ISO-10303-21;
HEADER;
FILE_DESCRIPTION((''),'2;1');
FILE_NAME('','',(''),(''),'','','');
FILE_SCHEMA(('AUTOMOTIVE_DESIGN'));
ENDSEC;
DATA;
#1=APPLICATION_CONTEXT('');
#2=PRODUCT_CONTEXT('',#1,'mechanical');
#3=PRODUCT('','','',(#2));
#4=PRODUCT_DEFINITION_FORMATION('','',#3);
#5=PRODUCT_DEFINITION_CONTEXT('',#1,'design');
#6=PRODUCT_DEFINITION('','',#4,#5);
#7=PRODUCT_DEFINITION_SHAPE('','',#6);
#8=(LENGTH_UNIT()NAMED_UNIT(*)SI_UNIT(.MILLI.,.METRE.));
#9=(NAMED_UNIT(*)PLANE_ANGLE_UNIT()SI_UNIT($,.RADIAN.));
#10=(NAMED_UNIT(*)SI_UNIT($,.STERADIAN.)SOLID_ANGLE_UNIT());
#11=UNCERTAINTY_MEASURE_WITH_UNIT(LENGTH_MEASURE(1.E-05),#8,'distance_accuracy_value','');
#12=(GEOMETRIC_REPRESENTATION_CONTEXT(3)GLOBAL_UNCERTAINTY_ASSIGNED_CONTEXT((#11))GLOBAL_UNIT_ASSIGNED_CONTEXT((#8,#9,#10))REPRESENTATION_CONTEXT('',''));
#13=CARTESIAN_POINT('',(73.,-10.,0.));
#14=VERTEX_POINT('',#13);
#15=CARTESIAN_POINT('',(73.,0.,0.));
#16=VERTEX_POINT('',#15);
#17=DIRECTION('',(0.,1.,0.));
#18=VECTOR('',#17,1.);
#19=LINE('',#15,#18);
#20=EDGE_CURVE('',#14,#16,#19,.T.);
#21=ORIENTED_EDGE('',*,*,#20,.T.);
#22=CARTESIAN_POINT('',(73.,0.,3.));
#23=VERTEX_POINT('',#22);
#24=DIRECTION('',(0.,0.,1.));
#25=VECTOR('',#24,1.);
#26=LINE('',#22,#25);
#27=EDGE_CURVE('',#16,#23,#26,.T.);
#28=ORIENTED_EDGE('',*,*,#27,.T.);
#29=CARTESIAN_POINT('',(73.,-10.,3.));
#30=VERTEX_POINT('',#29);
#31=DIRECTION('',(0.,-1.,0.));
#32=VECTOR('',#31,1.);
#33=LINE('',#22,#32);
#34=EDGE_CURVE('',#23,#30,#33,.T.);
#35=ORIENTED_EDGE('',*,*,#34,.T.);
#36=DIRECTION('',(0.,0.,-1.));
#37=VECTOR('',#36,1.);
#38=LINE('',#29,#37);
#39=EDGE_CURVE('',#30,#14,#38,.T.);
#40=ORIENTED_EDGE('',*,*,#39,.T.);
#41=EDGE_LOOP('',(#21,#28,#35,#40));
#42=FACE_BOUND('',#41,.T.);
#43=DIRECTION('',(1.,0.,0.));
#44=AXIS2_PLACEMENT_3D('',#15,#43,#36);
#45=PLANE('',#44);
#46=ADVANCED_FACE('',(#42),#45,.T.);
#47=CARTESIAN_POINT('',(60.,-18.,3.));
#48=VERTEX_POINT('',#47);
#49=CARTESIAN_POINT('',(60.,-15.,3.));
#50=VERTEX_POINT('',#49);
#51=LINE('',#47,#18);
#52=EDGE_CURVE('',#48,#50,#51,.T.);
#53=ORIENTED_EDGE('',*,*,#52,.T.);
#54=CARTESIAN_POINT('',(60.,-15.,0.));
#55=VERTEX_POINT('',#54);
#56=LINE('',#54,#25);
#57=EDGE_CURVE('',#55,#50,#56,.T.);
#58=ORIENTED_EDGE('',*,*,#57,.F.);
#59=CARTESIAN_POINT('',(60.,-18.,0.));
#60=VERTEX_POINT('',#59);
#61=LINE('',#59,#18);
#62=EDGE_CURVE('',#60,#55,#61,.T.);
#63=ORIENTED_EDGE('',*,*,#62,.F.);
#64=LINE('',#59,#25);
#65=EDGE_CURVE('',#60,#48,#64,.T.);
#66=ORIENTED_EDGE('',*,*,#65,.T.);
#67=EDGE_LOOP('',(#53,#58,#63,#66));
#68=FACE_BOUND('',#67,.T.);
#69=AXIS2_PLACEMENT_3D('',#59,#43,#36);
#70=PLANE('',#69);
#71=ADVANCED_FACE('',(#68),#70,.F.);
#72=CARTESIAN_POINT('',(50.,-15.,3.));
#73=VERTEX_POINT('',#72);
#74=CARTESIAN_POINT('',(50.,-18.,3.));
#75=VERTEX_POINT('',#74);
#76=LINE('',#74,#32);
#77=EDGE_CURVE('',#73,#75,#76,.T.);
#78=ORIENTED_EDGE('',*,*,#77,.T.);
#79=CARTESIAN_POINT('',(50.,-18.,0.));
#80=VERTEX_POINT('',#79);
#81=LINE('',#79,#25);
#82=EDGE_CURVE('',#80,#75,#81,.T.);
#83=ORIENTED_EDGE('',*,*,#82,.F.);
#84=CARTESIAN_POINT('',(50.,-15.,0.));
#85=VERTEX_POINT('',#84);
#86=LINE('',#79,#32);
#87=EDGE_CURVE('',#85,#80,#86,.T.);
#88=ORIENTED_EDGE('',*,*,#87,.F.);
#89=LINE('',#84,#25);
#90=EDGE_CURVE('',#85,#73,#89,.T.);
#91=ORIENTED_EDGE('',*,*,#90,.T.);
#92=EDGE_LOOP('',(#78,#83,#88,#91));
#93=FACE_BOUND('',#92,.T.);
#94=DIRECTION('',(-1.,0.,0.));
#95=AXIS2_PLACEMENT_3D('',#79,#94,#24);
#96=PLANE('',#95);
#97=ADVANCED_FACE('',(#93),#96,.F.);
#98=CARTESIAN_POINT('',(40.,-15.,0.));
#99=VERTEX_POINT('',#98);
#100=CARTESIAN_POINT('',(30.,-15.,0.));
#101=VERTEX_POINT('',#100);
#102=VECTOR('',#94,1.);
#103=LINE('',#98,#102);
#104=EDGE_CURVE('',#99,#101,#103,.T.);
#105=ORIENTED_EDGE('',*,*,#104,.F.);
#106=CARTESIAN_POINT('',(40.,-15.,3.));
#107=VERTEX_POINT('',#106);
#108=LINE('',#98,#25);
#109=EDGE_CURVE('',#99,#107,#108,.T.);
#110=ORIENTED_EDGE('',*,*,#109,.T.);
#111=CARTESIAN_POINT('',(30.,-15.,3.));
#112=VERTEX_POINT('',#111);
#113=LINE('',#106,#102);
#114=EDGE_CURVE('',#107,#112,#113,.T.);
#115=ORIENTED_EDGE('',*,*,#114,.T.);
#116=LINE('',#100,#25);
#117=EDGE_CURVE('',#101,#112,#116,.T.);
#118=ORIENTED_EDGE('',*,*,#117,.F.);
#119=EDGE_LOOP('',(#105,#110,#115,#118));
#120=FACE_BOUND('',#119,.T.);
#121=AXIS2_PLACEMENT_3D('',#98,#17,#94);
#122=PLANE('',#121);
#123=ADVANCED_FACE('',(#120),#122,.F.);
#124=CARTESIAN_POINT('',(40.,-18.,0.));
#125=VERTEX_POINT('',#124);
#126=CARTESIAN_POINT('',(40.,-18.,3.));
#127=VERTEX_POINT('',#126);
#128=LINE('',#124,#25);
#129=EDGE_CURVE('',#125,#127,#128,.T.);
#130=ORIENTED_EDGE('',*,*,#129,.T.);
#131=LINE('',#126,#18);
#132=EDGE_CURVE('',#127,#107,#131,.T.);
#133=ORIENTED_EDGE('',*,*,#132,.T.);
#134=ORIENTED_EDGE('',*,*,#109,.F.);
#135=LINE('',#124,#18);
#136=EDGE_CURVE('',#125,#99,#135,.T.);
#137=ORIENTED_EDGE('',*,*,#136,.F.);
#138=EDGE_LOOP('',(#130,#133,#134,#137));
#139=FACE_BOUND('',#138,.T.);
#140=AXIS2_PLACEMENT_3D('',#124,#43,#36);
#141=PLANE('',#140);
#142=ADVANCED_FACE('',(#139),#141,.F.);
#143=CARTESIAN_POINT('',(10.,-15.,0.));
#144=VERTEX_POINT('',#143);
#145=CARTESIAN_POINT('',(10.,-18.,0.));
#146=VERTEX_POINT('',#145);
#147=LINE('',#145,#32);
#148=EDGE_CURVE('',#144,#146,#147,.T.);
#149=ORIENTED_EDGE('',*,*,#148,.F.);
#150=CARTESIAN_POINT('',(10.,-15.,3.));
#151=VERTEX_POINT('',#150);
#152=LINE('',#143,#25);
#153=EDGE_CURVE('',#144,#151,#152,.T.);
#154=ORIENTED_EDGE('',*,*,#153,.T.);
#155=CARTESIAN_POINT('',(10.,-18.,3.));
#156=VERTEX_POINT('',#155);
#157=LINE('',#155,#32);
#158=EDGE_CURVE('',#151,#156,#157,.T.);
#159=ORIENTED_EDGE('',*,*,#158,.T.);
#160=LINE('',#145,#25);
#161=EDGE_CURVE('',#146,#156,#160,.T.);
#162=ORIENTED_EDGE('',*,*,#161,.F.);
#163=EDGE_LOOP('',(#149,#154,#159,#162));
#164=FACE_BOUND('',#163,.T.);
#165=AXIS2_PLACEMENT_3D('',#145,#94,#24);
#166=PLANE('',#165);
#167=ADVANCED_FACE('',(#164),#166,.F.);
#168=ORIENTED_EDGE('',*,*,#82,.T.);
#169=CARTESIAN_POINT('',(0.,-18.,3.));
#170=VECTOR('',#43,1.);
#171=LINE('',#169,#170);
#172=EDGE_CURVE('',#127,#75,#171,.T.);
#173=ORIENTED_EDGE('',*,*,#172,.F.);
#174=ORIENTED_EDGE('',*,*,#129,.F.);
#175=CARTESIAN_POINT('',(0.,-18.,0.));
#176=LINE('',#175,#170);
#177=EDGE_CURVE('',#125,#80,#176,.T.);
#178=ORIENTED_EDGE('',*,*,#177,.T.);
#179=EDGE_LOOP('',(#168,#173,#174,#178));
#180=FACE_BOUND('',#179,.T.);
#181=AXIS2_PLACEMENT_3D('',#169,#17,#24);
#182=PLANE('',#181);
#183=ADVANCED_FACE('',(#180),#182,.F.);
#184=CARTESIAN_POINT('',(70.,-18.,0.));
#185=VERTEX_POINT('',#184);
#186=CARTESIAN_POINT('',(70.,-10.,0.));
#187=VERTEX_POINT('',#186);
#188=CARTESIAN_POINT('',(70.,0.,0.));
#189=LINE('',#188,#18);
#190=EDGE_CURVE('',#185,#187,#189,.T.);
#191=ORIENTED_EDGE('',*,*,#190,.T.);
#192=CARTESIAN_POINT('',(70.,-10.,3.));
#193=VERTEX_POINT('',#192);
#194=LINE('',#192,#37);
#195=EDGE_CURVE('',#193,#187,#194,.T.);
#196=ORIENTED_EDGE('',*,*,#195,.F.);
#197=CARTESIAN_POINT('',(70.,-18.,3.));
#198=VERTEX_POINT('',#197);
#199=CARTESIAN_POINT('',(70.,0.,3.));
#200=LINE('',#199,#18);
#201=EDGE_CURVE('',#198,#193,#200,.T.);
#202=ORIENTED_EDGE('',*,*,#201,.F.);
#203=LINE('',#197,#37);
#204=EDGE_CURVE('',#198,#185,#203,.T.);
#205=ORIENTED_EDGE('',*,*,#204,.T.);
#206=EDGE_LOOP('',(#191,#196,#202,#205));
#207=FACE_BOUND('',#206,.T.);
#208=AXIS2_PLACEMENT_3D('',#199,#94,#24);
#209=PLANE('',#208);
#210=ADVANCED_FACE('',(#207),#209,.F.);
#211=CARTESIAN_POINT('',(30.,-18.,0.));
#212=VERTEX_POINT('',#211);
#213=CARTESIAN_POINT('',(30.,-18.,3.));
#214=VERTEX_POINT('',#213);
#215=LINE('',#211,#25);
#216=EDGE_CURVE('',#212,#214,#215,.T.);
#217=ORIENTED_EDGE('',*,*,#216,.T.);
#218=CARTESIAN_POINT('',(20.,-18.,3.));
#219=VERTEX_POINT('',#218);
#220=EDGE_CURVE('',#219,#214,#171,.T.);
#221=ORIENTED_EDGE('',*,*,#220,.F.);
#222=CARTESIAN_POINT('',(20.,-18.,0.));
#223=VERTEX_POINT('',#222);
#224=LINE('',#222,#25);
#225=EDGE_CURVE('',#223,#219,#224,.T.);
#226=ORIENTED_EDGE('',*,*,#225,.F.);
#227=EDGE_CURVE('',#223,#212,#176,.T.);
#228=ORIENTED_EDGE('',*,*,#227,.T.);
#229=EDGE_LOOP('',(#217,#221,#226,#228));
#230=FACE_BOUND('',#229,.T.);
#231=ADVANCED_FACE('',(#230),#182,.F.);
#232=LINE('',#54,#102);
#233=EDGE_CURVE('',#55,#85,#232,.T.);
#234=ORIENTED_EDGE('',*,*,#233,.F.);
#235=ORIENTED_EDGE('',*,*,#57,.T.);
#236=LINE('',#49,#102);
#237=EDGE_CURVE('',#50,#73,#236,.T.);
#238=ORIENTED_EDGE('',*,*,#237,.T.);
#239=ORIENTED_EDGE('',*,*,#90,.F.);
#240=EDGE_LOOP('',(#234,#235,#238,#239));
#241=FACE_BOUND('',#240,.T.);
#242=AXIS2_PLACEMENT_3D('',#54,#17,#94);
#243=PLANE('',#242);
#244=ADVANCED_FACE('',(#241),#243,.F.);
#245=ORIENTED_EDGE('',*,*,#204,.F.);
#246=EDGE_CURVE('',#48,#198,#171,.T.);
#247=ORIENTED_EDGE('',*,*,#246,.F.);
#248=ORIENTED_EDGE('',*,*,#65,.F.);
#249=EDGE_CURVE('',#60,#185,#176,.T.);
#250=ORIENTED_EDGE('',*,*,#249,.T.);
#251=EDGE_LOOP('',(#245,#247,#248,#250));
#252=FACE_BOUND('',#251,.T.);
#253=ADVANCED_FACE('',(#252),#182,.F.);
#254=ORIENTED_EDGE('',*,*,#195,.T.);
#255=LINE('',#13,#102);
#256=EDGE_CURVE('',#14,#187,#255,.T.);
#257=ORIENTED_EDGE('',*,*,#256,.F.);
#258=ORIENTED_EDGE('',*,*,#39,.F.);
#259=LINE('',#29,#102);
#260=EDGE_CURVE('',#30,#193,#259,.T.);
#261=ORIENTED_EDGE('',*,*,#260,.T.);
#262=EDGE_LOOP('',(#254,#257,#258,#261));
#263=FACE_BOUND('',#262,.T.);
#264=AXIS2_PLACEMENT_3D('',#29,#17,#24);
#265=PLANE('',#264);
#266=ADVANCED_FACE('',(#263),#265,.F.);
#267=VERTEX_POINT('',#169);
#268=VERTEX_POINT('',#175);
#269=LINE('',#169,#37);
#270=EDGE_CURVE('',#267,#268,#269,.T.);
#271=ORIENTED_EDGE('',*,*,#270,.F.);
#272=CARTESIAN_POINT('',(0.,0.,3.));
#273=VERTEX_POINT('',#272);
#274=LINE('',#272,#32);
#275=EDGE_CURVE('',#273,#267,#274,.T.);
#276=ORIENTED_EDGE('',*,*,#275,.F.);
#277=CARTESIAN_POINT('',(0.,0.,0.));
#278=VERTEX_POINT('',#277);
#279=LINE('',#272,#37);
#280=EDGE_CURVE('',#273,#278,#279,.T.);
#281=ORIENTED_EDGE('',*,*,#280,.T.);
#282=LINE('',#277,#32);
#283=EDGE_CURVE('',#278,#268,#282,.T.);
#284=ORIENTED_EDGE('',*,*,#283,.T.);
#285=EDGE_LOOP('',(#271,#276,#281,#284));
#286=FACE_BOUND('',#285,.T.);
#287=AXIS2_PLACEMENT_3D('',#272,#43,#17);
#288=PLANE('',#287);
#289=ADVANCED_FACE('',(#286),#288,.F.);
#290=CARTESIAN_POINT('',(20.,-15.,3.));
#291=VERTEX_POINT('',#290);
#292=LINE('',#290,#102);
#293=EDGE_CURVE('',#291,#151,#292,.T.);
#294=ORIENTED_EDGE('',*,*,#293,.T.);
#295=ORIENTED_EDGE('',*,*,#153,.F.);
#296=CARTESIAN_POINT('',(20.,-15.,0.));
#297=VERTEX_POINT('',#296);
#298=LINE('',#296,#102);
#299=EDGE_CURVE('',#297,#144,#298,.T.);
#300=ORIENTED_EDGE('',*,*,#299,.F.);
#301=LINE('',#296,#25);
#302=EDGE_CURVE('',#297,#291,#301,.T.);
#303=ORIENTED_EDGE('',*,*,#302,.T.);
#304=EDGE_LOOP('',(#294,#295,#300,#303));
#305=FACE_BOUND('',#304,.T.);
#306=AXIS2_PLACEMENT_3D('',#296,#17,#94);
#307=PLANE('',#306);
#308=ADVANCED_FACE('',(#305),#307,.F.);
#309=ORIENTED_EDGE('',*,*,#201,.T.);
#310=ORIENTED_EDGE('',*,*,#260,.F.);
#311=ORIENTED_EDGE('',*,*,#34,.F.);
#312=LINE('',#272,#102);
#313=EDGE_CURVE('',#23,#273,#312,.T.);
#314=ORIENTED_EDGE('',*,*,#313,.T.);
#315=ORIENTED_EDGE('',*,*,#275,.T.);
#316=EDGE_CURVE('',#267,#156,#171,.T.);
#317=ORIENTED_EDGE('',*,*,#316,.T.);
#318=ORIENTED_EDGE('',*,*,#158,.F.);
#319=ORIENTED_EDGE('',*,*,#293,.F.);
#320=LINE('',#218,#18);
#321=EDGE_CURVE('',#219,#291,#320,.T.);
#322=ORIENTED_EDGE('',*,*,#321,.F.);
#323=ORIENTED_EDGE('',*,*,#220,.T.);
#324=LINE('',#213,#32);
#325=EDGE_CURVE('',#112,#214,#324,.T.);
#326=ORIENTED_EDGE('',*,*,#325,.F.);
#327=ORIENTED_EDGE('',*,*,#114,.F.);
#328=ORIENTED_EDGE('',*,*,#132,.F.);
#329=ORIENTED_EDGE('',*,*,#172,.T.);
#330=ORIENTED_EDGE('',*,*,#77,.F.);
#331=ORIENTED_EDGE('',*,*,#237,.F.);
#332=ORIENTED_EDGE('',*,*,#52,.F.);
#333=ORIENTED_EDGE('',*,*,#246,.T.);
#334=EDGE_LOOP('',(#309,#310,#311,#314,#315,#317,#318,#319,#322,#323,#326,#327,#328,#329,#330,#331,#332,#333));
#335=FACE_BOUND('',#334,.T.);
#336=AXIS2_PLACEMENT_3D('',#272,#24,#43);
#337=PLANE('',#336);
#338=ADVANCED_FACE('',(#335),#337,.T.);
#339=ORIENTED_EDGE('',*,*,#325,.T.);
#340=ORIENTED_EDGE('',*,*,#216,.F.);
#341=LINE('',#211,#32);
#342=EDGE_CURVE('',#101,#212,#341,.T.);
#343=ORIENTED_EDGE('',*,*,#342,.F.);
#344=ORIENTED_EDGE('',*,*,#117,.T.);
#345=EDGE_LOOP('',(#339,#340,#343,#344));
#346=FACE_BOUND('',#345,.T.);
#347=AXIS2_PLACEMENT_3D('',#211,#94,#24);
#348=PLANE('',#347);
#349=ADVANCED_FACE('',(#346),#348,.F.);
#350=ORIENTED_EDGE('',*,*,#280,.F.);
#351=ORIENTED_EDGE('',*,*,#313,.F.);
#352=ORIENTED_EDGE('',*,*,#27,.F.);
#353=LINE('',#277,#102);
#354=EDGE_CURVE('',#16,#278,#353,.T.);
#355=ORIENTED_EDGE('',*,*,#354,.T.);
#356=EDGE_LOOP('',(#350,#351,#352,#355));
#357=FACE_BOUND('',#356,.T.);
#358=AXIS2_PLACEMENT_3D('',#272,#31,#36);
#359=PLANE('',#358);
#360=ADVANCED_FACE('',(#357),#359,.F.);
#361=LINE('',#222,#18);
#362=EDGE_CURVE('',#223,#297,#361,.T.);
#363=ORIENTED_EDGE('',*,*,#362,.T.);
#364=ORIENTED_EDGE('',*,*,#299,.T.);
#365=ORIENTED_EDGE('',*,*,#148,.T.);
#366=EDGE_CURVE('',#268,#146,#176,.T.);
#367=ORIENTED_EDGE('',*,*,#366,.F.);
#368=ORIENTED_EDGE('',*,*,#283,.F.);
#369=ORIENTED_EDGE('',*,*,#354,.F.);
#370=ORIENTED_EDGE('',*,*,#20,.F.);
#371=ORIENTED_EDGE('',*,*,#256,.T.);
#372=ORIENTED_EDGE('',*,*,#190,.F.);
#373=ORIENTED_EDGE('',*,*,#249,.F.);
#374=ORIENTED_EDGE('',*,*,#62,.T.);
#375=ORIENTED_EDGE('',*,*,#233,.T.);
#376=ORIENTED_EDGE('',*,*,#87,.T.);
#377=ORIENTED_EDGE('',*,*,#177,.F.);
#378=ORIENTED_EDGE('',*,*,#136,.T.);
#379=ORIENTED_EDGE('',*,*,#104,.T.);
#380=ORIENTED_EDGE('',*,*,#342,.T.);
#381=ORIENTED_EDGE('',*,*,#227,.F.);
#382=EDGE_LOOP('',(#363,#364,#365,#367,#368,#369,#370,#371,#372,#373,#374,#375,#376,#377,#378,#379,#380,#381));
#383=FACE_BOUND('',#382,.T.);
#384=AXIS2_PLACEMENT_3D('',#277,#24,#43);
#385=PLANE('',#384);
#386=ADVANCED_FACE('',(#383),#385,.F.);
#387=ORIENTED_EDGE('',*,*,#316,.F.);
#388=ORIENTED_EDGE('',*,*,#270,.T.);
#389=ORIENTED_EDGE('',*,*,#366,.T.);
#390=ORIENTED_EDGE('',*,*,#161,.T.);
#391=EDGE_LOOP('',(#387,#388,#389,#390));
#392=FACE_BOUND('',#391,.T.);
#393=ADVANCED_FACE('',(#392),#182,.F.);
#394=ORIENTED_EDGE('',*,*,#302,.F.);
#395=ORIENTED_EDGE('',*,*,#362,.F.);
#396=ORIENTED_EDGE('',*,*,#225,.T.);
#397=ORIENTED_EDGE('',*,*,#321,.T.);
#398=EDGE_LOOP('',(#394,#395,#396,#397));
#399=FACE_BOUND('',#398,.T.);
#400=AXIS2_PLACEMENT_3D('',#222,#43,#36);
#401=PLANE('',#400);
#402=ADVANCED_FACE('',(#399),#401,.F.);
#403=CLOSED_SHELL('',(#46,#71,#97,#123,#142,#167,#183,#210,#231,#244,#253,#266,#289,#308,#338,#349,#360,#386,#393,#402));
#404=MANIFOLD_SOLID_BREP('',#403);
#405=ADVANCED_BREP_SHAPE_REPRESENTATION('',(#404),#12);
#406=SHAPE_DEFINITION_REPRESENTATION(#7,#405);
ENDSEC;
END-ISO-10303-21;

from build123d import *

# Parameters (mm, degrees)
ESQUISSE1_W                = 70
ESQUISSE1_H                = 18
BOSS_EXTRU_1_DEPTH         = 3
ESQUISSE2_W                = 10
ESQUISSE2_H                = 3
ENL_V_MAT_EXTRU_1_DEPTH    = 3
R_P_TITION_LIN_AIRE1_COUNT = 3
R_P_TITION_LIN_AIRE1_PITCH = 20
ESQUISSE3_W                = 3
ESQUISSE3_H                = 10
BOSS_EXTRU_2_DEPTH         = 3


with BuildPart() as part:
    # Esquisse1 → Boss.-Extru.1 (new body)
    with BuildSketch(Plane.XY):
        with Locations((35, -9)):
            Rectangle(ESQUISSE1_W, ESQUISSE1_H)
    extrude(amount=BOSS_EXTRU_1_DEPTH)

    # Esquisse2 → Enlèv. mat.-Extru.1 (cut)
    with BuildSketch(Plane.XY.offset(3)):
        with Locations((55, -16.5)):
            Rectangle(ESQUISSE2_W, ESQUISSE2_H)
    enl_v_mat_extru_1 = extrude(amount=-ENL_V_MAT_EXTRU_1_DEPTH, mode=Mode.SUBTRACT)

    # Répétition linéaire1: Enlèv. mat.-Extru.1 ×3
    with Locations(*[(-i * R_P_TITION_LIN_AIRE1_PITCH, 0, 0) for i in range(1, R_P_TITION_LIN_AIRE1_COUNT)]):
        add(enl_v_mat_extru_1, mode=Mode.SUBTRACT)

    # Esquisse3 → Boss.-Extru.2 (add)
    with BuildSketch(Plane(origin=(70, 0, 0), x_dir=(0, 0, -1), z_dir=(1, 0, 0))):
        with Locations((-1.5, -5)):
            Rectangle(ESQUISSE3_W, ESQUISSE3_H)
    extrude(amount=BOSS_EXTRU_2_DEPTH)


solid = part.part
